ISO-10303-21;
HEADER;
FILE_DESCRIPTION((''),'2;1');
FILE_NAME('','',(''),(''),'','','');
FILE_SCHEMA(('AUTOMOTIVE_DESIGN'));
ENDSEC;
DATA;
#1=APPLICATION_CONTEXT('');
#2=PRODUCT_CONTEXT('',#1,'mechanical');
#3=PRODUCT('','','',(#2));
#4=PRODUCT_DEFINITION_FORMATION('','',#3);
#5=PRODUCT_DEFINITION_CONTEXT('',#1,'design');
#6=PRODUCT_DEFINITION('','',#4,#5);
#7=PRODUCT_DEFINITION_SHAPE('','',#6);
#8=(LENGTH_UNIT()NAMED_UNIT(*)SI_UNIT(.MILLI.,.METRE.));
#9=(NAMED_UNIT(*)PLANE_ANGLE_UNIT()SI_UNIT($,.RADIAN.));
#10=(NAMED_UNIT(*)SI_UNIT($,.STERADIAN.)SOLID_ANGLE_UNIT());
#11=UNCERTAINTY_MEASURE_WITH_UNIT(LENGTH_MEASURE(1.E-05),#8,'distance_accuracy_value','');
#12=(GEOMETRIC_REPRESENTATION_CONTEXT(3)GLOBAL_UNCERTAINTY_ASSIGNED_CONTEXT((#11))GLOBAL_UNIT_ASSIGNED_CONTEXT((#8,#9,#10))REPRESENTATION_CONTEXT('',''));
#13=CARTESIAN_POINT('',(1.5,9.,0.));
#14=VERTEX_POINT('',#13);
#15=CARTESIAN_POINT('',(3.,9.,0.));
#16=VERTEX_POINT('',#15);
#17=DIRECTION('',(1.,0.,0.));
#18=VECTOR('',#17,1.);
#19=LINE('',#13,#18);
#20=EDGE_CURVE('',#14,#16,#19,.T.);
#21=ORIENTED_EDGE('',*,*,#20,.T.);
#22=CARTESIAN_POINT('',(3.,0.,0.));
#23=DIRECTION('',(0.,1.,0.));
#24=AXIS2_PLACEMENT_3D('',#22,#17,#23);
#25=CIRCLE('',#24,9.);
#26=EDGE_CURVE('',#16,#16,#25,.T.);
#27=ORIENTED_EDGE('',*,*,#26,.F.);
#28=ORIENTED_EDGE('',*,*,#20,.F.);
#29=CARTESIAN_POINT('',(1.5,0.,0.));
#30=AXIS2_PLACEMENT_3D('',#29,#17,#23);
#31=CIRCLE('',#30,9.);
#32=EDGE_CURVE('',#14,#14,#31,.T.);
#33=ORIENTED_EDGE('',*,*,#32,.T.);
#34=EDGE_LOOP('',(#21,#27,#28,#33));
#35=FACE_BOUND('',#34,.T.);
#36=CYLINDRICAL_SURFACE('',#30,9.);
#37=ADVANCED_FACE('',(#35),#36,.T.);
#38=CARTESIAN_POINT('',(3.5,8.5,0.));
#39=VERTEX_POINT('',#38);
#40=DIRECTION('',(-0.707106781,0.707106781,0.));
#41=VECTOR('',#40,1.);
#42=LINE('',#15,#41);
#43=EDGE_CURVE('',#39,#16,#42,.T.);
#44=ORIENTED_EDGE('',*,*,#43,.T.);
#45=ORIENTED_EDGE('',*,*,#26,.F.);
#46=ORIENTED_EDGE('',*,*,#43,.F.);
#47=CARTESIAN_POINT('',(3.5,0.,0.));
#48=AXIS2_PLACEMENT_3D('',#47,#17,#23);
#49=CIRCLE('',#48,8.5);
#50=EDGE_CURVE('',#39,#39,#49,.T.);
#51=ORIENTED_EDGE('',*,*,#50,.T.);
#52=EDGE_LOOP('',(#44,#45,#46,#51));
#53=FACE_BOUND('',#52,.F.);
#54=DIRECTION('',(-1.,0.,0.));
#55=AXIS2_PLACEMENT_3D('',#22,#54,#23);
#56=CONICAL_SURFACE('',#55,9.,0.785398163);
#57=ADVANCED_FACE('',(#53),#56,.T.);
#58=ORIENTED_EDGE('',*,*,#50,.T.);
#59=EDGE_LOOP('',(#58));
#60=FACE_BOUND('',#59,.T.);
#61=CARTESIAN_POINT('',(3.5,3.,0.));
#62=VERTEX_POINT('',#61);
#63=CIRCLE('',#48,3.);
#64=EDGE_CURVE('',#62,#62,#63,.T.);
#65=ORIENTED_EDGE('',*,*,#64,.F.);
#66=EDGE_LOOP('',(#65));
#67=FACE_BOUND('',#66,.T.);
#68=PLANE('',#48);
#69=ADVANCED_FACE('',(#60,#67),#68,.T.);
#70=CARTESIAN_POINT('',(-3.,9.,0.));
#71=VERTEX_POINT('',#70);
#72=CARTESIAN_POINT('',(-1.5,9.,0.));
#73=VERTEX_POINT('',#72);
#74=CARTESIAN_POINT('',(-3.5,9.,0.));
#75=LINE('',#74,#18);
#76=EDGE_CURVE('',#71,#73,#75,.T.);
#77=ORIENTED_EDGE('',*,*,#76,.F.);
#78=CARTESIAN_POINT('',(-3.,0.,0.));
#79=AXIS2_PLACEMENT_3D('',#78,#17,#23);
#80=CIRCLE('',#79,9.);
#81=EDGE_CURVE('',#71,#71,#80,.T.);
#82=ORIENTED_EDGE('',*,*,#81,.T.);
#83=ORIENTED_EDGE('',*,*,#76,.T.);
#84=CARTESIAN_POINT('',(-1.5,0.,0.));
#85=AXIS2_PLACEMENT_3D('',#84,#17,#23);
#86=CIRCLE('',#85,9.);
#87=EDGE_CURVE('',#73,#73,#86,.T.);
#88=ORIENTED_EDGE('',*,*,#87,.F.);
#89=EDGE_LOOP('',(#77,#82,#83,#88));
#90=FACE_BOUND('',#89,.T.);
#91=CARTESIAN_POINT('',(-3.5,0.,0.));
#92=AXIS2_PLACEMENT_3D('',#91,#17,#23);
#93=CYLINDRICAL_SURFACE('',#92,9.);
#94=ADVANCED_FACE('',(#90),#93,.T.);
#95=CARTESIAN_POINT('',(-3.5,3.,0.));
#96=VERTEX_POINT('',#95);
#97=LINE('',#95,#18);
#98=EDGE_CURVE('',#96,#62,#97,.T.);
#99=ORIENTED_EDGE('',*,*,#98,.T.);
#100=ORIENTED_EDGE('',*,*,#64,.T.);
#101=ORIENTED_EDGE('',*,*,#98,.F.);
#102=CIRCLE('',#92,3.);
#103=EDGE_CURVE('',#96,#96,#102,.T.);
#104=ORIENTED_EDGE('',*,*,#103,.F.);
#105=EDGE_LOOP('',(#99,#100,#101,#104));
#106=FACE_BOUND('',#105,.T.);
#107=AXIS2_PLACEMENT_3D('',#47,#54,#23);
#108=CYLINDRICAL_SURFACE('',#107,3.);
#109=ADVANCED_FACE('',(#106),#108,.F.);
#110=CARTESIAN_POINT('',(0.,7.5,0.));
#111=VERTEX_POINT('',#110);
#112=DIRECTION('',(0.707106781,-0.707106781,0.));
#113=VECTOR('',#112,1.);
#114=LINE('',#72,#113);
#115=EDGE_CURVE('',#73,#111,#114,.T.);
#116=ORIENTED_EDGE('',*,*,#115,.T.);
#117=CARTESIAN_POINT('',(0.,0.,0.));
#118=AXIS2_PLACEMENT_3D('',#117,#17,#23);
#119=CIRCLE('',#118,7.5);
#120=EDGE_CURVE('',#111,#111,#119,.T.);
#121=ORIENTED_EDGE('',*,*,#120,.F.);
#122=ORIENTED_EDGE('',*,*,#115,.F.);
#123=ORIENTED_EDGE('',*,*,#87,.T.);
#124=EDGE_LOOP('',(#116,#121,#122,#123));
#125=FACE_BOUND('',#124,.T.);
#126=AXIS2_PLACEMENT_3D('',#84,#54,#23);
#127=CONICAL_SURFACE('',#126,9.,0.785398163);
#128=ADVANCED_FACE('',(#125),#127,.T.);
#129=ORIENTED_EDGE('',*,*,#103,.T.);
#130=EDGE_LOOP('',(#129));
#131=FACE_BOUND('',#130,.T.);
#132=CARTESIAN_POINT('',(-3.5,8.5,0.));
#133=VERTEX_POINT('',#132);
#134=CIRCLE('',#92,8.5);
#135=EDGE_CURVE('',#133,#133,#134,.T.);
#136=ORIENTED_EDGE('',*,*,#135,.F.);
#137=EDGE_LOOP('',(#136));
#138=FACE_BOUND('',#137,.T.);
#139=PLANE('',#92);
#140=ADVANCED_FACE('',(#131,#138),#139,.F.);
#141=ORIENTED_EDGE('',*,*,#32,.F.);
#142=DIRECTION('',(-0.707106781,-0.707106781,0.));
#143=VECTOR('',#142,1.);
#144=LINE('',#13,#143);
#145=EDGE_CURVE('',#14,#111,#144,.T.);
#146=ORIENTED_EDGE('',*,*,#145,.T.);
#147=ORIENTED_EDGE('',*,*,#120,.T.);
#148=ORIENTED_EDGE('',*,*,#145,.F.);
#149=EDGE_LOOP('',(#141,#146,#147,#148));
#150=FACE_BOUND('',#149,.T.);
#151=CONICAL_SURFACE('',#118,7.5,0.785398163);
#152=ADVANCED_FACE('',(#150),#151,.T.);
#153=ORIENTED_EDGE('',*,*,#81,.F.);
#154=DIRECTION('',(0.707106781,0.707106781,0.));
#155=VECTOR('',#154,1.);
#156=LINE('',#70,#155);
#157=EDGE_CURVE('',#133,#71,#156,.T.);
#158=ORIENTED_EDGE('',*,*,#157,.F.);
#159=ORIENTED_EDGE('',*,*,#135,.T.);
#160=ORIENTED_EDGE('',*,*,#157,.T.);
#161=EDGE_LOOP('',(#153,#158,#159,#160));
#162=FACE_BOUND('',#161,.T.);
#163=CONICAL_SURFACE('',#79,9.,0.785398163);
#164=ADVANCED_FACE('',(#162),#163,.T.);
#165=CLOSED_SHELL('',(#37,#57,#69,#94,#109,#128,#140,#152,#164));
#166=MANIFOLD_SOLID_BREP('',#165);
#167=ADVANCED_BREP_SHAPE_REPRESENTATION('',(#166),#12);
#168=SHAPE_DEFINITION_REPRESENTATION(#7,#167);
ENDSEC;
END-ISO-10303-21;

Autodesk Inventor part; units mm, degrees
ref_plane "YZ Plane" through (0, 0, 0) normal (1, 0, 0) x (0, 1, 0)
ref_plane "XZ Plane" through (0, 0, 0) normal (0, 1, 0) x (-1, 0, 0)
ref_plane "XY Plane" through (0, 0, 0) normal (0, 0, 1) x (1, 0, 0)
sketch "Skizze1" plane through (0, 0, 0) normal (0, 0, 1) x (1, 0, 0)
  line L0 (-4.9, 0) -> (4.9, 0) projected
  line L1 (0, -1.8) -> (0, 10.8) projected
  line L2 (3.5, 9) -> (3.5, 3)
  line L3 (3.5, 3) -> (-3.5, 3)
  line L4 (-3.5, 3) -> (-3.5, 9)
  line L5 (-1.5, 9) -> (0, 7.5)
  line L6 (0, 7.5) -> (1.5, 9)
  line L7 (-3.5, 9) -> (-1.5, 9)
  line L8 (1.5, 9) -> (3.5, 9)
  circle A0 centre (0, 7.8536) radius 0.25
  point P0 (0, 0)
  dimension "d0" = 6
  dimension "d1" = 18
  dimension "d2" = 7
  dimension "d3" = 90
  dimension "d4" = 15
  dimension "d9" = 0.5
  dimension "d10" = 15.7071
revolve "Umdrehung1" add sketch "Skizze1" angle 360 about axis through (-10, 0, 0) along (1, 0, 0) contours L3 L4 L7 L5 L1 | L1 L6 L8 L2 L3
chamfer "Fase1" distance 0.5 angle 45 2 edges at (-3.5, -9, 0) (3.5, -9, 0)
properties part number "13_0204_044"
